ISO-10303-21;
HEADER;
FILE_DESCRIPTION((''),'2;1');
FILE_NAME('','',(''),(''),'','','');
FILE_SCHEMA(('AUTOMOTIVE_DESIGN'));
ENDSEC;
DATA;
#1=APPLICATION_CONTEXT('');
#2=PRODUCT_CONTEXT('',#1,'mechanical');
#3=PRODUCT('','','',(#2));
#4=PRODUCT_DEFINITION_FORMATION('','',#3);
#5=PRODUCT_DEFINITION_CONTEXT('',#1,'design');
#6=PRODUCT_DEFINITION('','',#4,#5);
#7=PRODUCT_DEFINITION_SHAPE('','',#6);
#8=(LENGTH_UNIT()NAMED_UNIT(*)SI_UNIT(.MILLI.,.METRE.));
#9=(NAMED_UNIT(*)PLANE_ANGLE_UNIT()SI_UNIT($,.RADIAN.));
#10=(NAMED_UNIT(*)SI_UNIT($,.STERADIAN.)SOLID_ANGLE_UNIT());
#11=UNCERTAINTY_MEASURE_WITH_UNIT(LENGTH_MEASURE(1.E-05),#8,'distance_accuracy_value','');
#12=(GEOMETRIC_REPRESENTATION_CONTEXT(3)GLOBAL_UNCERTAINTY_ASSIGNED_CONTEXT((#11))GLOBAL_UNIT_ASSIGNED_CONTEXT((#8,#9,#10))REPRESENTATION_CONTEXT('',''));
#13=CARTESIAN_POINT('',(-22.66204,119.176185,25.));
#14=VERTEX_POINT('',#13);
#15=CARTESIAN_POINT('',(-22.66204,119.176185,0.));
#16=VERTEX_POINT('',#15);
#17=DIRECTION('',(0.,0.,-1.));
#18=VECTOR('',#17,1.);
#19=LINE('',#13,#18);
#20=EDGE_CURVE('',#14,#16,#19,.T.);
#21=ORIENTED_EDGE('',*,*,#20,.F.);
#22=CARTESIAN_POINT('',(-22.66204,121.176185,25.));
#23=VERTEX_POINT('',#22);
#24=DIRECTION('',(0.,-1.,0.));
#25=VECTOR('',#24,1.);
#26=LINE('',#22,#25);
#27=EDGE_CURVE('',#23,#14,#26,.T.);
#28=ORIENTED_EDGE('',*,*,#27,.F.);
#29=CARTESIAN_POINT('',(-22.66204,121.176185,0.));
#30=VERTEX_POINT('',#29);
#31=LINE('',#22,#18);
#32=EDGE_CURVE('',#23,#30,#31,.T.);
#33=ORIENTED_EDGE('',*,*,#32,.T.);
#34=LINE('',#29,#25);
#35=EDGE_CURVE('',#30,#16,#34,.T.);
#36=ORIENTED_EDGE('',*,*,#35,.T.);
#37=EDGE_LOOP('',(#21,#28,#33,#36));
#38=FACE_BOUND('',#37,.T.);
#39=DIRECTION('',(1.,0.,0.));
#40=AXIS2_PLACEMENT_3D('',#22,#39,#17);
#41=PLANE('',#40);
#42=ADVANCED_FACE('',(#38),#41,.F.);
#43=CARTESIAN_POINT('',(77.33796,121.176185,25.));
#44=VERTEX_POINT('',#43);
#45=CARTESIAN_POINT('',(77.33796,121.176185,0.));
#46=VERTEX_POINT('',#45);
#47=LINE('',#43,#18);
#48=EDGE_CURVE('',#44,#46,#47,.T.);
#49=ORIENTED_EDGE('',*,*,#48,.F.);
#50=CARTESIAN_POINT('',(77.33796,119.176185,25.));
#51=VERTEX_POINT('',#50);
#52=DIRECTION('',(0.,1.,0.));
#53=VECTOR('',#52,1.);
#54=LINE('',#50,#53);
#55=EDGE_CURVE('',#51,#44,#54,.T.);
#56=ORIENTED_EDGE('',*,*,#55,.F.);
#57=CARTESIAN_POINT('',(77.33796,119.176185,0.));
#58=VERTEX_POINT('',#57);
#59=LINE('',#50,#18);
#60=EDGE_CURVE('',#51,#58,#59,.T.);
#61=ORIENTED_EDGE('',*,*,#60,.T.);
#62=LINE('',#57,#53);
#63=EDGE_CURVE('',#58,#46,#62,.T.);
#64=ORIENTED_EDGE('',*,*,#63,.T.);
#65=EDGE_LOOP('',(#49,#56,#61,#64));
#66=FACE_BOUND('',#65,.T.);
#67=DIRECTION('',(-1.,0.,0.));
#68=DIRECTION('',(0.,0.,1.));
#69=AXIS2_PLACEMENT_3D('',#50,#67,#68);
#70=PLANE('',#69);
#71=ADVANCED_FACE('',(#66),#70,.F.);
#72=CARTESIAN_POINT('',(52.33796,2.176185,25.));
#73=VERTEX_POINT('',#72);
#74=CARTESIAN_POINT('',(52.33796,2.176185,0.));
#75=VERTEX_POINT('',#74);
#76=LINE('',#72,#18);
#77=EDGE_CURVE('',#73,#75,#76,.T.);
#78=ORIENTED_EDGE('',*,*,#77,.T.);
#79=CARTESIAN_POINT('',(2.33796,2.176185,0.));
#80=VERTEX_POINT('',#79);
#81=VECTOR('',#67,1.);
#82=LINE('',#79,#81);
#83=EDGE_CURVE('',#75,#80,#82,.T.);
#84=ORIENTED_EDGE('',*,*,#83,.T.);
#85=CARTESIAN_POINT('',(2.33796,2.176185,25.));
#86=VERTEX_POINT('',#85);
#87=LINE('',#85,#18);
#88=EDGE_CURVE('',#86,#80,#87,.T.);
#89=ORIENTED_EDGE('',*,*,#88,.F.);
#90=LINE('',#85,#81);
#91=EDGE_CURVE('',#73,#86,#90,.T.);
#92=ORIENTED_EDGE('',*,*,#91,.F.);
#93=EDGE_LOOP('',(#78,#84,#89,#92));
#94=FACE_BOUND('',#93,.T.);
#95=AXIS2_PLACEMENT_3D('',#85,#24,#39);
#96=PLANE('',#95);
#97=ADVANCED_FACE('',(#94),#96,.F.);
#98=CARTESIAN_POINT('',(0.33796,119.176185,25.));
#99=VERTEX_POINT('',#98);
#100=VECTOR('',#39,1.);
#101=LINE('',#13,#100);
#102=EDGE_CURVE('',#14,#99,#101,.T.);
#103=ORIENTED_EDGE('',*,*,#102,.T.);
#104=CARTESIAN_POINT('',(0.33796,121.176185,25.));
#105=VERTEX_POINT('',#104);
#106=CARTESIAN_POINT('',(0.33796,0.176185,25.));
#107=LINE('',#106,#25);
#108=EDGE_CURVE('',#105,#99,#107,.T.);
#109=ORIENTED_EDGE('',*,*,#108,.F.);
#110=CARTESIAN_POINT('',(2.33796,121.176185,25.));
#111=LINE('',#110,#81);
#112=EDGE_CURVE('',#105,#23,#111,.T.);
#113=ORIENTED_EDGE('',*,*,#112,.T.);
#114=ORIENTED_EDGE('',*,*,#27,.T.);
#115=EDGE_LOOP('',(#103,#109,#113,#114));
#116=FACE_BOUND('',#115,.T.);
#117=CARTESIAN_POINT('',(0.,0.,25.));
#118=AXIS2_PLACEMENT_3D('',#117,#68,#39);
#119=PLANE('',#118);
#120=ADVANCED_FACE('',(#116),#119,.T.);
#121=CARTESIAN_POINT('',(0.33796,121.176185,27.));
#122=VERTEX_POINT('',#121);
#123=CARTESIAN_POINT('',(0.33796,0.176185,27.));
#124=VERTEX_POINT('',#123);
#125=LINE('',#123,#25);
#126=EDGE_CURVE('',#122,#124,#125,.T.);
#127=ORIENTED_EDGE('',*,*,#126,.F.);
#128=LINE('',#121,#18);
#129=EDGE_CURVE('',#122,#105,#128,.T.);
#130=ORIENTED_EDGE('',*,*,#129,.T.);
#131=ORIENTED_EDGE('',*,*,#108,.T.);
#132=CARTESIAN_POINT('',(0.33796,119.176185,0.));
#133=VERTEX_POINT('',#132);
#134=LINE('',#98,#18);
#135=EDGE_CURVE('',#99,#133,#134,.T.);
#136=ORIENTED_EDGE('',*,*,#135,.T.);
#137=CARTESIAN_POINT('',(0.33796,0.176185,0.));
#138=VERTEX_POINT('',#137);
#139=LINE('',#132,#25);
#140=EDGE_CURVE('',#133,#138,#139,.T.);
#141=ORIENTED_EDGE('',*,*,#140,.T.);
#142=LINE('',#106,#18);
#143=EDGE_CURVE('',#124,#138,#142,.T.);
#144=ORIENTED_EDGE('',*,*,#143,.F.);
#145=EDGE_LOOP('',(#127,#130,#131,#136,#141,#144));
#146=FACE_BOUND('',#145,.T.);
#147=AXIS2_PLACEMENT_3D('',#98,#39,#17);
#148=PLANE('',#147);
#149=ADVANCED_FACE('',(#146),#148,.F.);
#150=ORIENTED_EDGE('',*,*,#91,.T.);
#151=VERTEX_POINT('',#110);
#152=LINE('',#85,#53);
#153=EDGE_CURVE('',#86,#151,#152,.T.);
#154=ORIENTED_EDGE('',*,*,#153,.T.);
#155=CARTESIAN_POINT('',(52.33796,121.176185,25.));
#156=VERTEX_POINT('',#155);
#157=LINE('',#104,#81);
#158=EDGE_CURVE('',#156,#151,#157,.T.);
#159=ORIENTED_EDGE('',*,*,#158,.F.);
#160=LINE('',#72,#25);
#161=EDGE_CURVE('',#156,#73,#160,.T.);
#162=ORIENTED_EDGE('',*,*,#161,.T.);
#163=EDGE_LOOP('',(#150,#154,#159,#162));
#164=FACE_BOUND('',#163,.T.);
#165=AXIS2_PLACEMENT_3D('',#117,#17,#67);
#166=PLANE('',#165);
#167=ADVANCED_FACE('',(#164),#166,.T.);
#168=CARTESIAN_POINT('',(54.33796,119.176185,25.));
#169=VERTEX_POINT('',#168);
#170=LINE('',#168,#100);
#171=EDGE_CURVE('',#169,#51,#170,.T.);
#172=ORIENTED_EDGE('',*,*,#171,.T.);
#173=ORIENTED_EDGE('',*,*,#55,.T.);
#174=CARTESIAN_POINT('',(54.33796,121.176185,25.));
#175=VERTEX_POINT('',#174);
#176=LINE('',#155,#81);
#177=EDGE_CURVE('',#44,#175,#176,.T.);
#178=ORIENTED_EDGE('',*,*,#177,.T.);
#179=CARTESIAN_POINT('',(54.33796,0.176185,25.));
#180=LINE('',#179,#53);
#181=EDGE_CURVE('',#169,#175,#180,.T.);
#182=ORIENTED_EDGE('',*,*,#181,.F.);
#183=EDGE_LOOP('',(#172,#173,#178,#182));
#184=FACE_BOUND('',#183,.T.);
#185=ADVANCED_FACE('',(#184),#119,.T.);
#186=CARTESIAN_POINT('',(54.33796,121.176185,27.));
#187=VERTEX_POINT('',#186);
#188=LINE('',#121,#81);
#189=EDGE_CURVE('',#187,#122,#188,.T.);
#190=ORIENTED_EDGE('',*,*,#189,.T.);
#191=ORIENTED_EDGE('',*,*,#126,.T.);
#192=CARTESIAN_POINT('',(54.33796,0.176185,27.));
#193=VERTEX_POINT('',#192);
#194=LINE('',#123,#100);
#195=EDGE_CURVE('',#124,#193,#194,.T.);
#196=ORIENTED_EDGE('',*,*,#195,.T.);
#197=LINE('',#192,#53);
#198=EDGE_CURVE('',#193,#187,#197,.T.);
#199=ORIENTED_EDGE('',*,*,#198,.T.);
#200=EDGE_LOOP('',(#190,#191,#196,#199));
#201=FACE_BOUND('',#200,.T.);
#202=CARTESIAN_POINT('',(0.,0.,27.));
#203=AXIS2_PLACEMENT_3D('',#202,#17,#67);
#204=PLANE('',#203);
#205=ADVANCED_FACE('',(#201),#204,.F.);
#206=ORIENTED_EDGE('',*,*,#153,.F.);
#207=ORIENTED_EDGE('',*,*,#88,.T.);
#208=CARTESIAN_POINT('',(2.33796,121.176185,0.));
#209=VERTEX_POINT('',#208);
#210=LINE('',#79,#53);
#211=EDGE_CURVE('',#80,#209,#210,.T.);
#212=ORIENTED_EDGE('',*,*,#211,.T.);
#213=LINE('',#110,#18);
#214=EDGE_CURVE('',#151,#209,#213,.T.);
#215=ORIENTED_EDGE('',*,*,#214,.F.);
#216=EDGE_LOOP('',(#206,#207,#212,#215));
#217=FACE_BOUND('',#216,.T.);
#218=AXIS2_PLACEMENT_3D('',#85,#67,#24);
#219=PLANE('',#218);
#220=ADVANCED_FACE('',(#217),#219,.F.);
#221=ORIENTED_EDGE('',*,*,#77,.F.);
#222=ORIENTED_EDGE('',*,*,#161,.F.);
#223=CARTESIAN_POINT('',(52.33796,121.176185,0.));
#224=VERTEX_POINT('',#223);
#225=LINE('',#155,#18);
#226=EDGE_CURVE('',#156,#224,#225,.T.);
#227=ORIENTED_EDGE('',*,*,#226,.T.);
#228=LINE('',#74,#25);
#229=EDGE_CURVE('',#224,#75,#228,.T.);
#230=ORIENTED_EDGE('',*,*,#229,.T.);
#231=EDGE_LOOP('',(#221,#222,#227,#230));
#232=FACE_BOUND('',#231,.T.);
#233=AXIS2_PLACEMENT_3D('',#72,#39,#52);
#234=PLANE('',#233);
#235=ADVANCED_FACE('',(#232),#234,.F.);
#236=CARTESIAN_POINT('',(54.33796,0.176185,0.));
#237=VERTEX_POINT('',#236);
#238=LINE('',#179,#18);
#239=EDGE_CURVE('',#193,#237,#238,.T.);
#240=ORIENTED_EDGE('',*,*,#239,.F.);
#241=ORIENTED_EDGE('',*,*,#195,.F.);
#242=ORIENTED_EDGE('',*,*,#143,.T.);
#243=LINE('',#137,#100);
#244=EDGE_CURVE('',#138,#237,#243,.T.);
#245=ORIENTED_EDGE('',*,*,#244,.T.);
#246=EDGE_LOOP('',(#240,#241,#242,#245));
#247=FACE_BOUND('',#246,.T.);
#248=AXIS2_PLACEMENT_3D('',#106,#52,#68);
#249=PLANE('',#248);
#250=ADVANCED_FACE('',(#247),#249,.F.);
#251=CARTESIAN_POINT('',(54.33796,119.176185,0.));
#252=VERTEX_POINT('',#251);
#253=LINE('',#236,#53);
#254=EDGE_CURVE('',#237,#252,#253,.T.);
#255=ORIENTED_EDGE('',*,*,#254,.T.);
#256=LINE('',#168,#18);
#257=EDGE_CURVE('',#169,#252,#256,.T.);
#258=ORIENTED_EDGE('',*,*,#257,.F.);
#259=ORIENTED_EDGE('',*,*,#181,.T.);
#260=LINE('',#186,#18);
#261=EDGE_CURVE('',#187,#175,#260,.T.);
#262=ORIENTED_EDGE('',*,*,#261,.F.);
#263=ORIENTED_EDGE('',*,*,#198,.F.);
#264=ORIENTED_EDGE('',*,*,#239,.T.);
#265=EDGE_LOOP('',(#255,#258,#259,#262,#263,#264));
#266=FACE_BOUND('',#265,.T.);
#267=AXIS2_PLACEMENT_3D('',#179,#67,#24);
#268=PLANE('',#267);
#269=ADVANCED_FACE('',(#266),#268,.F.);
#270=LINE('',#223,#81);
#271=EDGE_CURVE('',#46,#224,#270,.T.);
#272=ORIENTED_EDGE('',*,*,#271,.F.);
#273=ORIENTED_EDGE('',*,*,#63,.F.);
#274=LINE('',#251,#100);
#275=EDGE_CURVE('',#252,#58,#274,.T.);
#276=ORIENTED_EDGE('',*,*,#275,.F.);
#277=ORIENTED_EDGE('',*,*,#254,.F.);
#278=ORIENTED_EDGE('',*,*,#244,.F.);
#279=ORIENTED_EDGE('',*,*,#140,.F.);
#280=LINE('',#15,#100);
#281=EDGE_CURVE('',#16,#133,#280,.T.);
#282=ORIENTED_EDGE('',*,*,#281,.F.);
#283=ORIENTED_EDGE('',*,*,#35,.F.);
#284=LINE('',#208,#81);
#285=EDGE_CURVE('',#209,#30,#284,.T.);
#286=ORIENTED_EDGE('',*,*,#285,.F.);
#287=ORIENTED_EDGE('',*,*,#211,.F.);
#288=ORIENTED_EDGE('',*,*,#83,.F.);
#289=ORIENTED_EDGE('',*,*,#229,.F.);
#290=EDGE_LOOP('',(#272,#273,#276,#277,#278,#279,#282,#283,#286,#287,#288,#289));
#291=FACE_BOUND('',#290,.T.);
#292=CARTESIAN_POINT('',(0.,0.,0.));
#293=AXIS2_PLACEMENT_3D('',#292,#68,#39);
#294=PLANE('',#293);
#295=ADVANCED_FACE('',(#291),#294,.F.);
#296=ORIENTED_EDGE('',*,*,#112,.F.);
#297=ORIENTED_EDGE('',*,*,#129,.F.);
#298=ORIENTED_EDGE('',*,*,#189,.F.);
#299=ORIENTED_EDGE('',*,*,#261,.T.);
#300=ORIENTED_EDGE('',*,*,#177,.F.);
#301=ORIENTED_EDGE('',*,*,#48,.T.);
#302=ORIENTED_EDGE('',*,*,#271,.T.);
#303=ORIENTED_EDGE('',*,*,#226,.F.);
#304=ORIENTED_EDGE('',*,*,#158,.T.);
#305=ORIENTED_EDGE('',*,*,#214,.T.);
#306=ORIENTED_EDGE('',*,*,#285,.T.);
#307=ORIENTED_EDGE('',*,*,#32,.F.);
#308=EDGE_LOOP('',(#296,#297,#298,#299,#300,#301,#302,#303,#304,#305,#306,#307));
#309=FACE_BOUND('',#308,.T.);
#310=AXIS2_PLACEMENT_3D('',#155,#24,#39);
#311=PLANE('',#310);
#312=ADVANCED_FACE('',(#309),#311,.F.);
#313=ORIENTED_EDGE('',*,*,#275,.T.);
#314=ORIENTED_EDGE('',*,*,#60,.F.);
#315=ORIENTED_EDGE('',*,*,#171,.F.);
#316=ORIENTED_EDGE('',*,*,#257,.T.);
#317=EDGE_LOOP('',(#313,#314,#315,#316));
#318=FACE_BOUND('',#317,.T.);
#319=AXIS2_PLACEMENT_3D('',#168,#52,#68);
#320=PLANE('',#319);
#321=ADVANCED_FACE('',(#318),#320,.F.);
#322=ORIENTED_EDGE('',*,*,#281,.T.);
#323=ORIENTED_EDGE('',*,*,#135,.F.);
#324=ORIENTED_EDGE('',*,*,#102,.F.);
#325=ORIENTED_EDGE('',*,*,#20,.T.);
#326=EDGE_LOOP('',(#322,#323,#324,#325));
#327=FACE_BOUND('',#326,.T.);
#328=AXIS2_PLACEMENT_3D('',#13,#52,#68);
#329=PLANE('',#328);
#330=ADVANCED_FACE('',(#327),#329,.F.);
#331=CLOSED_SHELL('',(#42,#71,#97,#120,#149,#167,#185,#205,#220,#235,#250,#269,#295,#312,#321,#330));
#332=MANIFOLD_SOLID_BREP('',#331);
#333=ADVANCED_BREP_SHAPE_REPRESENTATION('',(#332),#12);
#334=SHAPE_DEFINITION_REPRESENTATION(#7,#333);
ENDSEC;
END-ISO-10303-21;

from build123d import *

# Parameters (mm, degrees)
BOSS_EXTRUDE1_DEPTH = 25
SKETCH3_W           = 54
SKETCH3_H           = 121
BOSS_EXTRUDE2_DEPTH = 2


with BuildPart() as part:
    # Sketch1 → Boss-Extrude1 (new body)
    with BuildSketch(Plane.XY):
        Polygon((2.337959557, 2.176185102), (2.337959557, 121.176185102), (-22.662040443, 121.176185102), (-22.662040443, 119.176185102), (0.337959557, 119.176185102), (0.337959557, 0.176185102), (54.337959557, 0.176185102), (54.337959557, 119.176185102), (77.337959557, 119.176185102), (77.337959557, 121.176185102), (52.337959557, 121.176185102), (52.337959557, 2.176185102), align=None)
    extrude(amount=BOSS_EXTRUDE1_DEPTH)

    # Sketch3 → Boss-Extrude2 (add)
    with BuildSketch(Plane.XY.offset(25)):
        with Locations((27.337959557, 60.676185102)):
            Rectangle(SKETCH3_W, SKETCH3_H)
    extrude(amount=BOSS_EXTRUDE2_DEPTH)


solid = part.part
